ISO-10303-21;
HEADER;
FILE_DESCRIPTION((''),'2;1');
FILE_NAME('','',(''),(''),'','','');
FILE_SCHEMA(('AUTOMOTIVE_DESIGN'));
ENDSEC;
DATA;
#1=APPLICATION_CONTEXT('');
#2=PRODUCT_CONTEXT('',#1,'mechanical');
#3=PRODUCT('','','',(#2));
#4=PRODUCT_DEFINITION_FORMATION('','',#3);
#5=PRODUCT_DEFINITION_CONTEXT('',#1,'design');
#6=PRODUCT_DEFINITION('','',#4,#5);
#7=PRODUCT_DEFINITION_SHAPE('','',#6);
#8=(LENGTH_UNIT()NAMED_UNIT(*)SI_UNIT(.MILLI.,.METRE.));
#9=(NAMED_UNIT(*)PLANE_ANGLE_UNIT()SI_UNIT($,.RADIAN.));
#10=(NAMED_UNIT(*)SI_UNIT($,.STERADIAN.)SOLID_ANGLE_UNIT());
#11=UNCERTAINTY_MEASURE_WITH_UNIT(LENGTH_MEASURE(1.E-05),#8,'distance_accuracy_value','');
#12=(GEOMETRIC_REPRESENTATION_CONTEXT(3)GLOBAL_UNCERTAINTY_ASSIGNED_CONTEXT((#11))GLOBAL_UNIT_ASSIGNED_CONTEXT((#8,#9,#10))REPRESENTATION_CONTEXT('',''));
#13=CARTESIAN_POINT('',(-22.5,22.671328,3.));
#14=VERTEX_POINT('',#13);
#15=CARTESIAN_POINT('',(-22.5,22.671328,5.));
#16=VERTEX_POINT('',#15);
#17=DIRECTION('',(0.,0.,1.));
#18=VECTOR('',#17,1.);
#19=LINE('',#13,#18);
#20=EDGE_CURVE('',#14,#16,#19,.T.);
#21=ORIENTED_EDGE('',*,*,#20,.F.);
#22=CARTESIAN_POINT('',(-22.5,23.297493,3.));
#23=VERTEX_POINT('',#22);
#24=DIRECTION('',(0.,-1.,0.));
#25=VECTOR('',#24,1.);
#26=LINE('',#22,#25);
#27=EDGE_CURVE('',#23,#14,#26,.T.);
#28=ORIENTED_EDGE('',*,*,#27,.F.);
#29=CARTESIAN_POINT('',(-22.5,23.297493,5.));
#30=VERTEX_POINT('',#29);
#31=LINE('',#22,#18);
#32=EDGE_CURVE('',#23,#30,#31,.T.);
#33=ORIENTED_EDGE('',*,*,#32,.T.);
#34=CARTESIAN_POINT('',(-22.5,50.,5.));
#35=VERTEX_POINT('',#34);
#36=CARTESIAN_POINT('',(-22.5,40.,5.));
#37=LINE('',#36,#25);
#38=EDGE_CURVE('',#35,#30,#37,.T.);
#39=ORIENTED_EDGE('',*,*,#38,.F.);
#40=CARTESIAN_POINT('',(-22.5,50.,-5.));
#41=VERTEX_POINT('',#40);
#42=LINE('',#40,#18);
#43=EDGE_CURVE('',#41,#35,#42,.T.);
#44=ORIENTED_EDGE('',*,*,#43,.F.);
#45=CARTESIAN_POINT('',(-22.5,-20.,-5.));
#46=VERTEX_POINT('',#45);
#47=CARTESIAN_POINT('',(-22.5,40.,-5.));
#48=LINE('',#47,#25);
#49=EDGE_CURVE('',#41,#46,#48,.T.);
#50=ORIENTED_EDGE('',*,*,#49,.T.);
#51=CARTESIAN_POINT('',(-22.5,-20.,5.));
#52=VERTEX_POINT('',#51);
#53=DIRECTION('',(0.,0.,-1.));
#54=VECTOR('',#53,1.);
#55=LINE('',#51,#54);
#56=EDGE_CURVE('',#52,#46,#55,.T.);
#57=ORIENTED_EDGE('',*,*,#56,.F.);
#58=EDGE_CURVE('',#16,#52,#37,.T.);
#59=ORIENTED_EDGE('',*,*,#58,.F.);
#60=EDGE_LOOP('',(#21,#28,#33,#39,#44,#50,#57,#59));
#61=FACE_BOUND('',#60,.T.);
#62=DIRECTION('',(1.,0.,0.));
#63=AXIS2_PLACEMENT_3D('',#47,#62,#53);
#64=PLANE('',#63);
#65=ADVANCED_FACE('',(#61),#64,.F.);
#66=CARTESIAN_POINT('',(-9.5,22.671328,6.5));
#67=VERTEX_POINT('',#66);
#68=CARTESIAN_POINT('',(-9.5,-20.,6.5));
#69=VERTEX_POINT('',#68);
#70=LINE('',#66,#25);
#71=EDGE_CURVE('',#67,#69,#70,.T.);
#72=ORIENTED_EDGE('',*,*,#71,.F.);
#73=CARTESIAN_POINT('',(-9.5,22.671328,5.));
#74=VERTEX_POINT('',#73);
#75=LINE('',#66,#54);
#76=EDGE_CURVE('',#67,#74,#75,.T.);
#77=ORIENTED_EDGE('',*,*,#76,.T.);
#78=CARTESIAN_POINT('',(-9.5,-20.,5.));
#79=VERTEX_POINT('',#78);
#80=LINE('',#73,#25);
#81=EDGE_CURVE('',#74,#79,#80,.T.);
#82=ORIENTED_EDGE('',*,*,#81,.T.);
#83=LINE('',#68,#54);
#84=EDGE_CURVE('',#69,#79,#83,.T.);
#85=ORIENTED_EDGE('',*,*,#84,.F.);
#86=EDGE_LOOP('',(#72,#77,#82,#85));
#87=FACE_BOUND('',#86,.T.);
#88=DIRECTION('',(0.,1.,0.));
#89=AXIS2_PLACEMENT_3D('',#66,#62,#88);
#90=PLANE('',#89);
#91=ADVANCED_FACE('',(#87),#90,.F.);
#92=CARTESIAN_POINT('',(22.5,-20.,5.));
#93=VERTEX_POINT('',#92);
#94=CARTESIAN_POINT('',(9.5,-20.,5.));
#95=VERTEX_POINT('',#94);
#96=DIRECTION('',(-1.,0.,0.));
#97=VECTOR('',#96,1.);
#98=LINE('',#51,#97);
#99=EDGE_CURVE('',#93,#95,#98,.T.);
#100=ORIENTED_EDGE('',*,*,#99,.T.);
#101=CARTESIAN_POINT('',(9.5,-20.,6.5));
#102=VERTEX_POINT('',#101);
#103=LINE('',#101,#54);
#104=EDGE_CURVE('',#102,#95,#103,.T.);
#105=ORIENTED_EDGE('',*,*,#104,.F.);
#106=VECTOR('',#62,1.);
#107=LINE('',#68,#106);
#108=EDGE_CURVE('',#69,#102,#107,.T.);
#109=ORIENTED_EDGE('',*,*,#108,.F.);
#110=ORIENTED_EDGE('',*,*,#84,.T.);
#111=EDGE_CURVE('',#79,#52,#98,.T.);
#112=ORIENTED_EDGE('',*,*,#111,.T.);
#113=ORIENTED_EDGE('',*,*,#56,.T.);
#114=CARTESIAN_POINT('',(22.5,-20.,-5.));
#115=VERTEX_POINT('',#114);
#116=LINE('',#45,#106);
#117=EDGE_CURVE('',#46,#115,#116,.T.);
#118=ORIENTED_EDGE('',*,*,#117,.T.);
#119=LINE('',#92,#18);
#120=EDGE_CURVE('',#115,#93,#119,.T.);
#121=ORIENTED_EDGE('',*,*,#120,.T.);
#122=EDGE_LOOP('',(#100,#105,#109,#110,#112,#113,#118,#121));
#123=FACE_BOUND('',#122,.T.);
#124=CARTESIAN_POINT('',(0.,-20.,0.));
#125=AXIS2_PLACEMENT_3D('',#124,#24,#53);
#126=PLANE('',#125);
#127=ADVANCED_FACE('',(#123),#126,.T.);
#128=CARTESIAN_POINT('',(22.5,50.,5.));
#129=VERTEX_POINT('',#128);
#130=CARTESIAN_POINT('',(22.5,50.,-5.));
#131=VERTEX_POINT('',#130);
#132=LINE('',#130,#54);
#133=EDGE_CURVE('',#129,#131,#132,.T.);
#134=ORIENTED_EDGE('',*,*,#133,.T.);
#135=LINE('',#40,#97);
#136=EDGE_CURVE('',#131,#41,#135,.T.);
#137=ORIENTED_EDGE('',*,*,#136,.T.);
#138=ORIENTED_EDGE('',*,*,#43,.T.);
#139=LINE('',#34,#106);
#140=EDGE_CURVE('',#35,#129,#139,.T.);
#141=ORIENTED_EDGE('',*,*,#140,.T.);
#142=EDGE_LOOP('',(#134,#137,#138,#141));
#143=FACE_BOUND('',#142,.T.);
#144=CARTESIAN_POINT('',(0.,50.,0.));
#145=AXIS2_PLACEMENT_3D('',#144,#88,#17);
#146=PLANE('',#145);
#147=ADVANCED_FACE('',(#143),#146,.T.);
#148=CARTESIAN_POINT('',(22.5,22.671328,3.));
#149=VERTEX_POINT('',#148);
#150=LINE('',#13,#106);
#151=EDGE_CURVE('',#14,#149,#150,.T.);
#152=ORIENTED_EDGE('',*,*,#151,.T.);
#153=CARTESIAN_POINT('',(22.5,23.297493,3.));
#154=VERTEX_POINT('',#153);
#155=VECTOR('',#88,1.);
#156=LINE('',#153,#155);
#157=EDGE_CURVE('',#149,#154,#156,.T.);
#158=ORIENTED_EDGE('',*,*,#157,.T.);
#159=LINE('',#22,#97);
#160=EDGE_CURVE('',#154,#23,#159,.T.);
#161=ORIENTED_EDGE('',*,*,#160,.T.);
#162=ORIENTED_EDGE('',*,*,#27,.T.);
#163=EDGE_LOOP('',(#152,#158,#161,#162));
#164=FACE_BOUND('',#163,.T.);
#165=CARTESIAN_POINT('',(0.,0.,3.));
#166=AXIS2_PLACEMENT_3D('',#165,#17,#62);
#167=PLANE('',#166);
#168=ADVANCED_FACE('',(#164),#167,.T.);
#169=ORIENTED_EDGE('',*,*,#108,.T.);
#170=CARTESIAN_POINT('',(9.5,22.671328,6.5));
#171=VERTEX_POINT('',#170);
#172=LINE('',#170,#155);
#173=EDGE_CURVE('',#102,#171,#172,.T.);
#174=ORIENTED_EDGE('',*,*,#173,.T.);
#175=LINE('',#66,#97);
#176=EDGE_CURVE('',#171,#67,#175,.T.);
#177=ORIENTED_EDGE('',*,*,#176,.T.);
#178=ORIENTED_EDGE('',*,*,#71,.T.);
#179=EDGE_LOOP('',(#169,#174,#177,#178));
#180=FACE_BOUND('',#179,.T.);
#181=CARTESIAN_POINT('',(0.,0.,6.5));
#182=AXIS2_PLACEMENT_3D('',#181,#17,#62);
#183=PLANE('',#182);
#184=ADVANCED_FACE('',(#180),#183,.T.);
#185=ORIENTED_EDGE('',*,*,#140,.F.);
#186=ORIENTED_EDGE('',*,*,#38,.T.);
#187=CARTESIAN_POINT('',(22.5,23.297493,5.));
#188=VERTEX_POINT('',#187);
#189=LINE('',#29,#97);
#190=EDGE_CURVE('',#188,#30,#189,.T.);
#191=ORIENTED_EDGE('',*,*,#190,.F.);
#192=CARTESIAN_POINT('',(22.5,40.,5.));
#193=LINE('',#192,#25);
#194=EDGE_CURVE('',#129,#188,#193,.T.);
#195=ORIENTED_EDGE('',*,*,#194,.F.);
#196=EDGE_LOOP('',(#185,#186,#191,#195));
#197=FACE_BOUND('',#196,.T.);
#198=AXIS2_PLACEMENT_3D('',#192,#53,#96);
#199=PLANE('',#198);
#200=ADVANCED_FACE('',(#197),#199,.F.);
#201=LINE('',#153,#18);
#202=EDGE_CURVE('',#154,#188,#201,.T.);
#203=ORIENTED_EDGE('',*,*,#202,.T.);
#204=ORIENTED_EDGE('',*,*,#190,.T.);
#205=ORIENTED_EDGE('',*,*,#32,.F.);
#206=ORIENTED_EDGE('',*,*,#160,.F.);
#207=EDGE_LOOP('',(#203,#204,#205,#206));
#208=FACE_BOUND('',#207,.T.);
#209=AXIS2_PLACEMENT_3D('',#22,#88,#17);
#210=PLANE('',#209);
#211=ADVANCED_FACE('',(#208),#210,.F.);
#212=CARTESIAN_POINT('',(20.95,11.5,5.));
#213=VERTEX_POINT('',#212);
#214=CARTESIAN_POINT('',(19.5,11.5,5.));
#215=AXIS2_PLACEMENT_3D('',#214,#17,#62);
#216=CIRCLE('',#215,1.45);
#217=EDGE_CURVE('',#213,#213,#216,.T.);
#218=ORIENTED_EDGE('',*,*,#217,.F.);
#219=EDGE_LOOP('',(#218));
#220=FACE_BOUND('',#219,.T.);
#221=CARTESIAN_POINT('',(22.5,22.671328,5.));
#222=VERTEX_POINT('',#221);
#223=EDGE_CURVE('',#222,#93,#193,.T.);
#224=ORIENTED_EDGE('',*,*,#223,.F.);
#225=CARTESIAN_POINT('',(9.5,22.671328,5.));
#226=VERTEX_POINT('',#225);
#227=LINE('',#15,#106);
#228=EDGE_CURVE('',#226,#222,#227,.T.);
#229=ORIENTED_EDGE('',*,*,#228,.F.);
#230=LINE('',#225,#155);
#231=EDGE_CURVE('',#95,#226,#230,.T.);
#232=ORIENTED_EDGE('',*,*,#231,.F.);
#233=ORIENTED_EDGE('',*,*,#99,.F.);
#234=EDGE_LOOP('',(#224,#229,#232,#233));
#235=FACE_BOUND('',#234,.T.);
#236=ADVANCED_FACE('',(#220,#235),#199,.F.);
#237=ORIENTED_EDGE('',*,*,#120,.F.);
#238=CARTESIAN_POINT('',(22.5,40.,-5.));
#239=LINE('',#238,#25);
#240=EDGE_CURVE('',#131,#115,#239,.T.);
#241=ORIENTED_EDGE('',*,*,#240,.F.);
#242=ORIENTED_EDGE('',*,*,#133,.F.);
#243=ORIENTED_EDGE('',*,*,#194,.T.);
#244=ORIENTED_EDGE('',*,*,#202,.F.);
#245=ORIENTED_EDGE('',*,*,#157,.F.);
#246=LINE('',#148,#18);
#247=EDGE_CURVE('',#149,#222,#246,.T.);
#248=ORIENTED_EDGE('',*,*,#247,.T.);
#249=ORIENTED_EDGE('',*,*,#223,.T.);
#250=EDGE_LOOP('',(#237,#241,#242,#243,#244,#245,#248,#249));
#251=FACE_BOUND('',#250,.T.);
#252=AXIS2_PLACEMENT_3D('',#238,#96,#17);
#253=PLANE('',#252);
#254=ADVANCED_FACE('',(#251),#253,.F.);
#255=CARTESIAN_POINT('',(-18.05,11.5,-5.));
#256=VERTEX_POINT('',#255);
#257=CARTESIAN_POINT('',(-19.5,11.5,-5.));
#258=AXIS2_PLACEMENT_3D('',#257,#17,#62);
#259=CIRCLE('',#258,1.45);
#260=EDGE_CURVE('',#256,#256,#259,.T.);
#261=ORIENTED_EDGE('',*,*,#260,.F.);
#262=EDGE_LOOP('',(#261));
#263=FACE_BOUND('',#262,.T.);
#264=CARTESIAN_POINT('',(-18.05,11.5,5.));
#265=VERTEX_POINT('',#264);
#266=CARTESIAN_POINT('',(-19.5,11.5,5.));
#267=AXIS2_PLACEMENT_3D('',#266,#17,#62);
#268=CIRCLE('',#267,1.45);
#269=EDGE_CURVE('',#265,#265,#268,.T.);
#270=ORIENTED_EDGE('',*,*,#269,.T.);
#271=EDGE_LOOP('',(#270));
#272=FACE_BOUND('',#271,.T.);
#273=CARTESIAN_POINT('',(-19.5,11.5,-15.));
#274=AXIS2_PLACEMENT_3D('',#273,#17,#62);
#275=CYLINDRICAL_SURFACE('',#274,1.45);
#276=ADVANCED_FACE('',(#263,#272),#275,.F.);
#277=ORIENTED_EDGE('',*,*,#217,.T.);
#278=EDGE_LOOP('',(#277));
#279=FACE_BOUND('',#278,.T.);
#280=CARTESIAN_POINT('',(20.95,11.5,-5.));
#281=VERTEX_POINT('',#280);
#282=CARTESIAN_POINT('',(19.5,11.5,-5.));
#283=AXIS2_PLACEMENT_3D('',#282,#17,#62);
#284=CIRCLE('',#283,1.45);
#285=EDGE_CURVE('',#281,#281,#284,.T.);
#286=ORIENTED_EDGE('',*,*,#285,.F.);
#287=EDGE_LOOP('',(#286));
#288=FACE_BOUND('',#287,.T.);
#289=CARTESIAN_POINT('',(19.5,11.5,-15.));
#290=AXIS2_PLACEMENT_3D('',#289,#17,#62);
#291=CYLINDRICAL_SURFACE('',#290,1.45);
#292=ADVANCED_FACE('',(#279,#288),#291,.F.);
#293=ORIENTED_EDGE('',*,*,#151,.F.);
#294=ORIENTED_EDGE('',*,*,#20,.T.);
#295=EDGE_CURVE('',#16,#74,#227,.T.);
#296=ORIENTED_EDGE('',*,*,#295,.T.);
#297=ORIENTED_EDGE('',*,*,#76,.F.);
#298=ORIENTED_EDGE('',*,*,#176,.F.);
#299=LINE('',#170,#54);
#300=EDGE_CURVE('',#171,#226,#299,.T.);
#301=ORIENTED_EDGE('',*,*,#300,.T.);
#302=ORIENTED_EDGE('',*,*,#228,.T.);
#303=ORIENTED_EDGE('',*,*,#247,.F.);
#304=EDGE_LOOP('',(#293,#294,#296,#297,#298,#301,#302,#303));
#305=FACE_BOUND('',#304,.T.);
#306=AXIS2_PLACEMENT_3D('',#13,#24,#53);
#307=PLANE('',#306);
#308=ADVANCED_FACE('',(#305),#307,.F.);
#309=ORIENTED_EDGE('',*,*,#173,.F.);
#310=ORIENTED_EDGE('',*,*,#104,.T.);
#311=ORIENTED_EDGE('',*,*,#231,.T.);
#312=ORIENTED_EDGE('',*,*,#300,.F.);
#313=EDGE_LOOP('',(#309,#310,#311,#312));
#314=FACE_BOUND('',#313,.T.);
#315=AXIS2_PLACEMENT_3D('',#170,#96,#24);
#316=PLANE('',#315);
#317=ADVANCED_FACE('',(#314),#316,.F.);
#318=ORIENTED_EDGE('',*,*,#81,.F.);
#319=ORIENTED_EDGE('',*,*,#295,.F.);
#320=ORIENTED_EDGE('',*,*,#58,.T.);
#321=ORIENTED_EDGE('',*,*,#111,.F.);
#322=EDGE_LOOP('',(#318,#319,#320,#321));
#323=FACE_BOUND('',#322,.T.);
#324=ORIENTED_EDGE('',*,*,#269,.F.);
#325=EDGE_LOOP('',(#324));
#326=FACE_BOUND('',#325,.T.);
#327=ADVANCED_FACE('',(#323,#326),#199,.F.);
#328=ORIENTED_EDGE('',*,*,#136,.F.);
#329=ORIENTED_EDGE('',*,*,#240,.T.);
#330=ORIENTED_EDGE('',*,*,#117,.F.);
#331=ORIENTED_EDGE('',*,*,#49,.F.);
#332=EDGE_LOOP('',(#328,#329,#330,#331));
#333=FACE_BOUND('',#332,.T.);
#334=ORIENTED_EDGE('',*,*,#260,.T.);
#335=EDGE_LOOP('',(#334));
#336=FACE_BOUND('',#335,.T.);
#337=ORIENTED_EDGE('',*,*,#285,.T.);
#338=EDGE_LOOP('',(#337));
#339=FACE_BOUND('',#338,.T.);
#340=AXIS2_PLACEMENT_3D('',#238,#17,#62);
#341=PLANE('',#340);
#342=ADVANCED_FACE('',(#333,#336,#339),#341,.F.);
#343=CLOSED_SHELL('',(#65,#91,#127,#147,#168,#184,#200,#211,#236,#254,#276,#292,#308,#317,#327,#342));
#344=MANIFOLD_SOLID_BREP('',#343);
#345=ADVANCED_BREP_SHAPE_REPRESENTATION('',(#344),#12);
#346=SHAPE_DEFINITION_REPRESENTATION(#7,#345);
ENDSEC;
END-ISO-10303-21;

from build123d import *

# Parameters (mm, degrees)
SKETCH2_W           = 45
SKETCH2_H           = 10
BOSS_EXTRUDE1_DEPTH = 40
SKETCH4_W           = 45
SKETCH4_H           = 10
BOSS_EXTRUDE2_DEPTH = 10
SKETCH8_W           = 45
SKETCH8_H           = 10
BOSS_EXTRUDE3_DEPTH = 20
SKETCH9_R           = 1.45
CUT_EXTRUDE2_DEPTH  = 20
SKETCH10_W          = 45
SKETCH10_H          = 0.626165357
CUT_EXTRUDE3_DEPTH  = 2
SKETCH11_W          = 19
SKETCH11_H          = 42.671327575
BOSS_EXTRUDE4_DEPTH = 1.5


with BuildPart() as part:
    # Sketch2 → Boss-Extrude1 (new body)
    with BuildSketch(Plane(origin=(0, 0, 0), x_dir=(1, 0, 0), z_dir=(0, 1, 0))):
        Rectangle(SKETCH2_W, SKETCH2_H)
    extrude(amount=BOSS_EXTRUDE1_DEPTH)

    # Sketch4 → Boss-Extrude2 (add)
    with BuildSketch(Plane(origin=(0, 40, 0), x_dir=(1, 0, 0), z_dir=(0, 1, 0))):
        Rectangle(SKETCH4_W, SKETCH4_H)
    extrude(amount=BOSS_EXTRUDE2_DEPTH)

    # Sketch8 → Boss-Extrude3 (add)
    with BuildSketch(Plane.XZ):
        Rectangle(SKETCH8_W, SKETCH8_H)
    extrude(amount=BOSS_EXTRUDE3_DEPTH)

    # Sketch9 → Cut-Extrude2 (cut)
    with BuildSketch(Plane.XY.offset(5)):
        with Locations((19.5, 11.5)):
            Circle(SKETCH9_R)
        with Locations((-19.5, 11.5)):
            Circle(SKETCH9_R)
    extrude(amount=-CUT_EXTRUDE2_DEPTH, mode=Mode.SUBTRACT)

    # Sketch10 → Cut-Extrude3 (cut)
    with BuildSketch(Plane.XY.offset(5)):
        with Locations((0, 22.984410254)):
            Rectangle(SKETCH10_W, SKETCH10_H)
    extrude(amount=-CUT_EXTRUDE3_DEPTH, mode=Mode.SUBTRACT)

    # Sketch11 → Boss-Extrude4 (add)
    with BuildSketch(Plane.XY.offset(5)):
        with Locations((0, 1.335663788)):
            Rectangle(SKETCH11_W, SKETCH11_H)
    extrude(amount=BOSS_EXTRUDE4_DEPTH)


solid = part.part
